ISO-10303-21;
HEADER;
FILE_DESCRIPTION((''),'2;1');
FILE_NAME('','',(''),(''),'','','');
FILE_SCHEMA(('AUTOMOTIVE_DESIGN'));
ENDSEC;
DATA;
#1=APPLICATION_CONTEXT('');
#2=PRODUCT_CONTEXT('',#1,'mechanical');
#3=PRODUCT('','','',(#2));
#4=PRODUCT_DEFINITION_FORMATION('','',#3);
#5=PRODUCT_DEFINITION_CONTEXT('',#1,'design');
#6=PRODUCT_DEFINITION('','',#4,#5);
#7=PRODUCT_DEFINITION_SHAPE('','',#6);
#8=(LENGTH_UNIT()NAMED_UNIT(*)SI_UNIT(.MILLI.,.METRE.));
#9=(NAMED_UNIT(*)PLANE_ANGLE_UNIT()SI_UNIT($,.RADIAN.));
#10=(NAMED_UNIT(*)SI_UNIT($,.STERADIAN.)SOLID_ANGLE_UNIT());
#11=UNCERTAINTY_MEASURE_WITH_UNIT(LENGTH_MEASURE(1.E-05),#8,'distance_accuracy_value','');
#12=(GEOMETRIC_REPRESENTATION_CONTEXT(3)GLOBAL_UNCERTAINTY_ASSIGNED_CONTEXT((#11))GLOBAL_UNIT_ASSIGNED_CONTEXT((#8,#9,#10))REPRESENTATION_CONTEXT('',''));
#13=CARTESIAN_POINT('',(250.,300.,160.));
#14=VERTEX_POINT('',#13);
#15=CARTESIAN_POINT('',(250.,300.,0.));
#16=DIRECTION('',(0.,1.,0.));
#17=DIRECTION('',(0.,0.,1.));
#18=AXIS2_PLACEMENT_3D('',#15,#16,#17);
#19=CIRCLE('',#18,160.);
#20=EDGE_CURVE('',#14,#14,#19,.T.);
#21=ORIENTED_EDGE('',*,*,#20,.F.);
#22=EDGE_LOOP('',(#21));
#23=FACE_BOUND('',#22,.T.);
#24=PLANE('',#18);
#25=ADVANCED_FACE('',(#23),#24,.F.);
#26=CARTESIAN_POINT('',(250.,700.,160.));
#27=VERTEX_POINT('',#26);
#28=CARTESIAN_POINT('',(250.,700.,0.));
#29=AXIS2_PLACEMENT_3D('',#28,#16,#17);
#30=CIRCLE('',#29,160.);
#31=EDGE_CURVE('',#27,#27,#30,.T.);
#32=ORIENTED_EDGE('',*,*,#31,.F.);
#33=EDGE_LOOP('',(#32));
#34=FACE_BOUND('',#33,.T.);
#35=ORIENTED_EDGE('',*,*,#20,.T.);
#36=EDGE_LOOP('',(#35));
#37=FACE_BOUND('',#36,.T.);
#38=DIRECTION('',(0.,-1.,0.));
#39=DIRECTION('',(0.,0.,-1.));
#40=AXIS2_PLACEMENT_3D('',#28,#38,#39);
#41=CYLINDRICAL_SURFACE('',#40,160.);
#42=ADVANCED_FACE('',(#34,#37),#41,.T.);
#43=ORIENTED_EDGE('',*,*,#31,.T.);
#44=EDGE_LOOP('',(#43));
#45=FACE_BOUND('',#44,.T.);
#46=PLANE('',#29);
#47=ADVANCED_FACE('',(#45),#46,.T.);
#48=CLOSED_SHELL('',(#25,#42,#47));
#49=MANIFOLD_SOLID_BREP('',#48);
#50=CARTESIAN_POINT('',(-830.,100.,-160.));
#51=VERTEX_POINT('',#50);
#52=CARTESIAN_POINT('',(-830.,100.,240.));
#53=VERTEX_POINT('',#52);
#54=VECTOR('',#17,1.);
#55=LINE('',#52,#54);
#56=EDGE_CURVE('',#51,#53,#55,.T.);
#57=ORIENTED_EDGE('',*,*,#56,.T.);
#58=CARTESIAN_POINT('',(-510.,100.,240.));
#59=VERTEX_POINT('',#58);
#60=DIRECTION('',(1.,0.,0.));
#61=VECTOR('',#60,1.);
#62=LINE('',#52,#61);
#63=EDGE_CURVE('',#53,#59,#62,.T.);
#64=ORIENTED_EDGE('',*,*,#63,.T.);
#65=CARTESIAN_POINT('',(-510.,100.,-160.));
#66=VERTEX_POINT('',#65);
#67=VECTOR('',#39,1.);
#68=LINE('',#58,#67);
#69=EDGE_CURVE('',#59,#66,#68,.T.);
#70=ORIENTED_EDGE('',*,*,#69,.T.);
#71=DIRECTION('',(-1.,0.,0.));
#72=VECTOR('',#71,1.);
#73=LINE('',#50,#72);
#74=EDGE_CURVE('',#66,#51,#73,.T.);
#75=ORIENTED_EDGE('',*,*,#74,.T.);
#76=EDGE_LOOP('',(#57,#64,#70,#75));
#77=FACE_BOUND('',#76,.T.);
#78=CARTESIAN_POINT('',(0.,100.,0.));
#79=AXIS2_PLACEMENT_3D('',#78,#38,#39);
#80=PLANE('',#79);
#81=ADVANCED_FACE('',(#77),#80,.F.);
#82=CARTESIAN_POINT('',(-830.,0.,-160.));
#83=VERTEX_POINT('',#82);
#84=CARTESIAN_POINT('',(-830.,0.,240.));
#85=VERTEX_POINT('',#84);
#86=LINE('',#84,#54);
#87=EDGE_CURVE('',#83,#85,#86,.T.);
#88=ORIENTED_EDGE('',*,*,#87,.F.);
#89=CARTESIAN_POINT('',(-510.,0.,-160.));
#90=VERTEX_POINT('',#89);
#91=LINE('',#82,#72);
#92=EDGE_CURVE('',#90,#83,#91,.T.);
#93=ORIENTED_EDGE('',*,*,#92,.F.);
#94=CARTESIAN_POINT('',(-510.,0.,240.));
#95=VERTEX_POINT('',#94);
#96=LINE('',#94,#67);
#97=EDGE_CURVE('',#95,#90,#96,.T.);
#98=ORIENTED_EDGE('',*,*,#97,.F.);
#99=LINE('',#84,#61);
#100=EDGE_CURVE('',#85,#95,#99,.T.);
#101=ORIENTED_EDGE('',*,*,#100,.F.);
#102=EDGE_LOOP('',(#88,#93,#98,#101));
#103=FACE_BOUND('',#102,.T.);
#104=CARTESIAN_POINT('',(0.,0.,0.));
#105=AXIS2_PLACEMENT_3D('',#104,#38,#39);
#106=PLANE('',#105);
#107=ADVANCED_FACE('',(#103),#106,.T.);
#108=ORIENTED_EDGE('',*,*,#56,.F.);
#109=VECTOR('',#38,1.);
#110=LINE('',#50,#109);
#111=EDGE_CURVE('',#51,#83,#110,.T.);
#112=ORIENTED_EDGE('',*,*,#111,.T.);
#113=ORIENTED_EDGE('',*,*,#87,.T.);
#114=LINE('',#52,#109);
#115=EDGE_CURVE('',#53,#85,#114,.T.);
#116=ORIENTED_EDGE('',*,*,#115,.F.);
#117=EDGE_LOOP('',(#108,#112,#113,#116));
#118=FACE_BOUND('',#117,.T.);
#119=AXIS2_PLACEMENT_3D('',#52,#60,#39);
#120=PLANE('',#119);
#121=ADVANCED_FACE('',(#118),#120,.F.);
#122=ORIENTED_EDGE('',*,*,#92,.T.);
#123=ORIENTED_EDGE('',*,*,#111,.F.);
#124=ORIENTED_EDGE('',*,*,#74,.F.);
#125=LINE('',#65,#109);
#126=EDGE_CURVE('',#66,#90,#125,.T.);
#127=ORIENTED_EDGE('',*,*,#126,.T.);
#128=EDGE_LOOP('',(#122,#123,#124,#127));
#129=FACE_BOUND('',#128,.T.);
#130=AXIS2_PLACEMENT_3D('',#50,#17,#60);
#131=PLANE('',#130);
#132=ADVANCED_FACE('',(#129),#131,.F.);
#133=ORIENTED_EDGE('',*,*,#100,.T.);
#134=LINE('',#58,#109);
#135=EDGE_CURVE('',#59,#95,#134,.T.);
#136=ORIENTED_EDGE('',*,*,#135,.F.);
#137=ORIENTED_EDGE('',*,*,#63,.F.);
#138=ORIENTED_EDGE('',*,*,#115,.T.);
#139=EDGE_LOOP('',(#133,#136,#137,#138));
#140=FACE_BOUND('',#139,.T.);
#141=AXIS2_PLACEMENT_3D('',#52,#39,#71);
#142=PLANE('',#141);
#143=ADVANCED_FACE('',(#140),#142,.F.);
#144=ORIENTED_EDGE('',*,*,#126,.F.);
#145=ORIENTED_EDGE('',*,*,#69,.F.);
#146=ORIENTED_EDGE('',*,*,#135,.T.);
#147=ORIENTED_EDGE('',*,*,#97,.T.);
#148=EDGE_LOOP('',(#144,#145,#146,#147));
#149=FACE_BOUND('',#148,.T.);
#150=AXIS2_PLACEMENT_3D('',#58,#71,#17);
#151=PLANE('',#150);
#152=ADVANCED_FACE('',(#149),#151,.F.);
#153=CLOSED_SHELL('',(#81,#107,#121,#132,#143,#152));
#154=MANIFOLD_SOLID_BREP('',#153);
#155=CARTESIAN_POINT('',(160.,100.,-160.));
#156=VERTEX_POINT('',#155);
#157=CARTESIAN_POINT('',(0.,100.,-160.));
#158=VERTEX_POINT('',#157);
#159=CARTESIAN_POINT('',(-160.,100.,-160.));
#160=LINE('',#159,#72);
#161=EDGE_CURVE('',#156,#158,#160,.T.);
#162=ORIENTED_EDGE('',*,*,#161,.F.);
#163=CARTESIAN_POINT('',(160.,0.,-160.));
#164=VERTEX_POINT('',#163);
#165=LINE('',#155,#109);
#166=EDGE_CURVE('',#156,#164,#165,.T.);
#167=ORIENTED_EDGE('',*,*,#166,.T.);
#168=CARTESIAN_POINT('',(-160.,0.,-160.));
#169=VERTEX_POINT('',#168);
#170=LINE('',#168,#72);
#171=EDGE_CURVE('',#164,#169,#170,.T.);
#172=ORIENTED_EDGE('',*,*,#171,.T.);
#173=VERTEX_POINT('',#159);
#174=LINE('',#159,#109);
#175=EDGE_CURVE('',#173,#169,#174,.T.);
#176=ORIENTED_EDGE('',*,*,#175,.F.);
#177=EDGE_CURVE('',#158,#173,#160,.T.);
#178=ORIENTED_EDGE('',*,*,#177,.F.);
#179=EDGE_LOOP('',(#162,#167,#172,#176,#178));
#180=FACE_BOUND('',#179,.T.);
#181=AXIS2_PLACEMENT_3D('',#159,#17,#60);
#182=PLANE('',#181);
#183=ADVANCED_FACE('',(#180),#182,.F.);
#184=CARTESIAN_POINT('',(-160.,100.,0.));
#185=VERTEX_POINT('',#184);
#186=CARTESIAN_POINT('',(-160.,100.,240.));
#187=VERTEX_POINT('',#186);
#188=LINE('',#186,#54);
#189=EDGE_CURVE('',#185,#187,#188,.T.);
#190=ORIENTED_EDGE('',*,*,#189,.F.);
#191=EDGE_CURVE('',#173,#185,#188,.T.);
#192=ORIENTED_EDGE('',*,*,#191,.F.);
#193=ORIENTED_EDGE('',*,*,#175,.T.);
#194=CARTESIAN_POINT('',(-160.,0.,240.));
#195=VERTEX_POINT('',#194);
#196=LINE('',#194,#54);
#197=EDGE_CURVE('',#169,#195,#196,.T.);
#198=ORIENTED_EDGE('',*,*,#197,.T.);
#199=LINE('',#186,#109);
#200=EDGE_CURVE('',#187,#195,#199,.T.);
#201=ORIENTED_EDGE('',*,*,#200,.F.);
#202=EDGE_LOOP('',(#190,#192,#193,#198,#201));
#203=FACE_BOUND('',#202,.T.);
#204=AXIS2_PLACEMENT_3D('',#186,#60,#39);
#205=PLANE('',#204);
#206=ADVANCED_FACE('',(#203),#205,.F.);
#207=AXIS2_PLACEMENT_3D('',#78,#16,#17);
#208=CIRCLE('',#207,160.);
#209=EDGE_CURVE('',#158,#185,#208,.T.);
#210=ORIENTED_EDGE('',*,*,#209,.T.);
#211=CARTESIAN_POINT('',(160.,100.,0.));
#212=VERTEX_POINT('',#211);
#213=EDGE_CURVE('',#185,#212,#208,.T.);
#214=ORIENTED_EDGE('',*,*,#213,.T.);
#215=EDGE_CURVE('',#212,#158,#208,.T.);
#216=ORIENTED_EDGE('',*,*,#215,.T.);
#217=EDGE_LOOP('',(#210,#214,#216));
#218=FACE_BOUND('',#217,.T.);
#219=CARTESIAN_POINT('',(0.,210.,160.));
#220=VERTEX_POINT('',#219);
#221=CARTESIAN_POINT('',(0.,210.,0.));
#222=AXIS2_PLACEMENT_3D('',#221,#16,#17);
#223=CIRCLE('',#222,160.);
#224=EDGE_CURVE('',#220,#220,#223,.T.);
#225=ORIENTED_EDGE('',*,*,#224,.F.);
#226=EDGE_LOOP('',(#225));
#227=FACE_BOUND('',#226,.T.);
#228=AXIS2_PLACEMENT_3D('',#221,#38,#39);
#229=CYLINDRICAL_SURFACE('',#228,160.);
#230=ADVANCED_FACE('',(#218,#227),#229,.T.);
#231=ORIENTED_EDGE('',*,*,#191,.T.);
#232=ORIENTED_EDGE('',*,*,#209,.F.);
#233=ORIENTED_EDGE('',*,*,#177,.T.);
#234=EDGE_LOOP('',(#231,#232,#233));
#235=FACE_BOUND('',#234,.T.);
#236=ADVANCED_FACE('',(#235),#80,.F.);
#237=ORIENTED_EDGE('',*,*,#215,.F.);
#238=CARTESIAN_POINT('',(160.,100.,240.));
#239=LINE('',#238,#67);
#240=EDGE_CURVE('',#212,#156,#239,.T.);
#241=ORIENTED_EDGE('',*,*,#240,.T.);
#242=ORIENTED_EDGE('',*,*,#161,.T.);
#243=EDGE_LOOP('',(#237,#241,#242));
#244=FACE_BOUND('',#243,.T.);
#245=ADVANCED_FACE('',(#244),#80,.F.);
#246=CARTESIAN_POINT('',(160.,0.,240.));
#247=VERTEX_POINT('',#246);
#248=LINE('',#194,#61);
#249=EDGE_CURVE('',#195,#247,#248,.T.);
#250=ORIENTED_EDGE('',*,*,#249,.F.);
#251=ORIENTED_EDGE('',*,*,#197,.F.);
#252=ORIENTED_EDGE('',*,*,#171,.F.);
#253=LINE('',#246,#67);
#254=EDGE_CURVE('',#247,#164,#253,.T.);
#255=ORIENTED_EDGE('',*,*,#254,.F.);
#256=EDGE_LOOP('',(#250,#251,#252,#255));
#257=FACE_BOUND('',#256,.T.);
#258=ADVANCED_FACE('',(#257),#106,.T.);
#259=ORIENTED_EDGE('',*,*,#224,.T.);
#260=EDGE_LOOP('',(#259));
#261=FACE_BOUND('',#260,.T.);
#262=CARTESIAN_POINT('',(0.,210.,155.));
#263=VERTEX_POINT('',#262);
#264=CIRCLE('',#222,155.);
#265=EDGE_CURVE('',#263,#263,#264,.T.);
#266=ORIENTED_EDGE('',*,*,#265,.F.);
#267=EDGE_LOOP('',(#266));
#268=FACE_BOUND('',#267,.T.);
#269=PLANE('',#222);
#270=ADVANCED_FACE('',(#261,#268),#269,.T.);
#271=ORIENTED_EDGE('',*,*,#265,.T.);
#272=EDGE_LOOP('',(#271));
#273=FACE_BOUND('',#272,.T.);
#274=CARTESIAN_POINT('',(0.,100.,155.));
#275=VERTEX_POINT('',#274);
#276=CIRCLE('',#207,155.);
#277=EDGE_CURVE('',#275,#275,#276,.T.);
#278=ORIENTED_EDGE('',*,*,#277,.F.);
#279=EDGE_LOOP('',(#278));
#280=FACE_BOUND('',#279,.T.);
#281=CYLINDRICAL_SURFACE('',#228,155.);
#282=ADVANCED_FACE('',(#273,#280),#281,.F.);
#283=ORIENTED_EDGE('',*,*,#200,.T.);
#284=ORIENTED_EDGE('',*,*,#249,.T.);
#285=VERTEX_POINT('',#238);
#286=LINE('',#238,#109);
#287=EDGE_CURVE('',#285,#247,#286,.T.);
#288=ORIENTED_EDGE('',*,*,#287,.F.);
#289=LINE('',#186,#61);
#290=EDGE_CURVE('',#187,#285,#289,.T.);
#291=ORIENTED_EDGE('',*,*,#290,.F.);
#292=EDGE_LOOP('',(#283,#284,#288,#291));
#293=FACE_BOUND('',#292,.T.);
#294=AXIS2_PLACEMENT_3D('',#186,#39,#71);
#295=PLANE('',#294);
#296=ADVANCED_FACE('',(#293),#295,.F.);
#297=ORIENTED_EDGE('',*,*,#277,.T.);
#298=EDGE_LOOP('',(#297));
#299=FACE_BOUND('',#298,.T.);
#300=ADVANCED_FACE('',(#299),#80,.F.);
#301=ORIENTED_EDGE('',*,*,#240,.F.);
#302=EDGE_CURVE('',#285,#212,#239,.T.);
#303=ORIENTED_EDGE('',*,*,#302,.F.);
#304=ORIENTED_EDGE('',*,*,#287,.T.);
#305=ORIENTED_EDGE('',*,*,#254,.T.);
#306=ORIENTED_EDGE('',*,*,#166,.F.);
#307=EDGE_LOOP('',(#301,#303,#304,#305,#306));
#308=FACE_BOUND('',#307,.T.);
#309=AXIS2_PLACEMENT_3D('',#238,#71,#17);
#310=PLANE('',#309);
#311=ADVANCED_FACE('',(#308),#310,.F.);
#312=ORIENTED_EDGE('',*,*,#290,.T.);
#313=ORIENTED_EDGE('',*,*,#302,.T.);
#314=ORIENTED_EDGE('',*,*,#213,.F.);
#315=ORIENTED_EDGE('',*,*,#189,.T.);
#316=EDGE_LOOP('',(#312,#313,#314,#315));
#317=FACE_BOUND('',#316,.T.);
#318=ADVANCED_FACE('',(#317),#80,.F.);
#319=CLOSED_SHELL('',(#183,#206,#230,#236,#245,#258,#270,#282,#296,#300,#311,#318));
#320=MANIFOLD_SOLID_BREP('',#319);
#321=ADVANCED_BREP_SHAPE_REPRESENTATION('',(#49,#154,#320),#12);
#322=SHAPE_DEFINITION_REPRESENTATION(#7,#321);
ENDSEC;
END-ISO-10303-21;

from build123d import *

# Parameters (mm, degrees)
SKETCH2_W             = 320
SKETCH2_H             = 400
BOSS_EXTRUDE1_DEPTH   = 100
BOSS_EXTRUDE1_2_DEPTH = 100
SKETCH4_R             = 160
SKETCH4_R_2           = 155
BOSS_EXTRUDE3_DEPTH   = 110
SKETCH5_R             = 160
BOSS_EXTRUDE4_DEPTH   = 400


with BuildPart() as part:
    # Sketch2 → Boss-Extrude1 (new body)
    with BuildSketch(Plane(origin=(0, 0, 0), x_dir=(1, 0, 0), z_dir=(0, 1, 0))):
        with Locations((-670, -40)):
            Rectangle(SKETCH2_W, SKETCH2_H)
    extrude(amount=BOSS_EXTRUDE1_DEPTH)


with BuildPart() as body_2:
    # Sketch2 → Boss-Extrude1 2 (new body)
    with BuildSketch(Plane(origin=(0, 0, 0), x_dir=(1, 0, 0), z_dir=(0, 1, 0))):
        with Locations((0, -40)):
            Rectangle(SKETCH2_W, SKETCH2_H)
    extrude(amount=BOSS_EXTRUDE1_2_DEPTH)

    # Sketch4 → Boss-Extrude3 (add)
    with BuildSketch(Plane(origin=(0, 100, 0), x_dir=(1, 0, 0), z_dir=(0, 1, 0))):
        with Locations(Location((0, 0, 0), (0, 0, 90))):
            Circle(SKETCH4_R)
        with Locations(Location((0, 0, 0), (0, 0, 270))):
            Circle(SKETCH4_R_2, mode=Mode.SUBTRACT)
    extrude(amount=BOSS_EXTRUDE3_DEPTH)


with BuildPart() as body_3:
    # Sketch5 → Boss-Extrude4 (new body)
    with BuildSketch(Plane(origin=(0, 300, 0), x_dir=(1, 0, 0), z_dir=(0, 1, 0))):
        with Locations(Location((250, 0, 0), (0, 0, 270))):
            Circle(SKETCH5_R)
    extrude(amount=BOSS_EXTRUDE4_DEPTH)


solid = Compound([part.part, body_2.part, body_3.part])
